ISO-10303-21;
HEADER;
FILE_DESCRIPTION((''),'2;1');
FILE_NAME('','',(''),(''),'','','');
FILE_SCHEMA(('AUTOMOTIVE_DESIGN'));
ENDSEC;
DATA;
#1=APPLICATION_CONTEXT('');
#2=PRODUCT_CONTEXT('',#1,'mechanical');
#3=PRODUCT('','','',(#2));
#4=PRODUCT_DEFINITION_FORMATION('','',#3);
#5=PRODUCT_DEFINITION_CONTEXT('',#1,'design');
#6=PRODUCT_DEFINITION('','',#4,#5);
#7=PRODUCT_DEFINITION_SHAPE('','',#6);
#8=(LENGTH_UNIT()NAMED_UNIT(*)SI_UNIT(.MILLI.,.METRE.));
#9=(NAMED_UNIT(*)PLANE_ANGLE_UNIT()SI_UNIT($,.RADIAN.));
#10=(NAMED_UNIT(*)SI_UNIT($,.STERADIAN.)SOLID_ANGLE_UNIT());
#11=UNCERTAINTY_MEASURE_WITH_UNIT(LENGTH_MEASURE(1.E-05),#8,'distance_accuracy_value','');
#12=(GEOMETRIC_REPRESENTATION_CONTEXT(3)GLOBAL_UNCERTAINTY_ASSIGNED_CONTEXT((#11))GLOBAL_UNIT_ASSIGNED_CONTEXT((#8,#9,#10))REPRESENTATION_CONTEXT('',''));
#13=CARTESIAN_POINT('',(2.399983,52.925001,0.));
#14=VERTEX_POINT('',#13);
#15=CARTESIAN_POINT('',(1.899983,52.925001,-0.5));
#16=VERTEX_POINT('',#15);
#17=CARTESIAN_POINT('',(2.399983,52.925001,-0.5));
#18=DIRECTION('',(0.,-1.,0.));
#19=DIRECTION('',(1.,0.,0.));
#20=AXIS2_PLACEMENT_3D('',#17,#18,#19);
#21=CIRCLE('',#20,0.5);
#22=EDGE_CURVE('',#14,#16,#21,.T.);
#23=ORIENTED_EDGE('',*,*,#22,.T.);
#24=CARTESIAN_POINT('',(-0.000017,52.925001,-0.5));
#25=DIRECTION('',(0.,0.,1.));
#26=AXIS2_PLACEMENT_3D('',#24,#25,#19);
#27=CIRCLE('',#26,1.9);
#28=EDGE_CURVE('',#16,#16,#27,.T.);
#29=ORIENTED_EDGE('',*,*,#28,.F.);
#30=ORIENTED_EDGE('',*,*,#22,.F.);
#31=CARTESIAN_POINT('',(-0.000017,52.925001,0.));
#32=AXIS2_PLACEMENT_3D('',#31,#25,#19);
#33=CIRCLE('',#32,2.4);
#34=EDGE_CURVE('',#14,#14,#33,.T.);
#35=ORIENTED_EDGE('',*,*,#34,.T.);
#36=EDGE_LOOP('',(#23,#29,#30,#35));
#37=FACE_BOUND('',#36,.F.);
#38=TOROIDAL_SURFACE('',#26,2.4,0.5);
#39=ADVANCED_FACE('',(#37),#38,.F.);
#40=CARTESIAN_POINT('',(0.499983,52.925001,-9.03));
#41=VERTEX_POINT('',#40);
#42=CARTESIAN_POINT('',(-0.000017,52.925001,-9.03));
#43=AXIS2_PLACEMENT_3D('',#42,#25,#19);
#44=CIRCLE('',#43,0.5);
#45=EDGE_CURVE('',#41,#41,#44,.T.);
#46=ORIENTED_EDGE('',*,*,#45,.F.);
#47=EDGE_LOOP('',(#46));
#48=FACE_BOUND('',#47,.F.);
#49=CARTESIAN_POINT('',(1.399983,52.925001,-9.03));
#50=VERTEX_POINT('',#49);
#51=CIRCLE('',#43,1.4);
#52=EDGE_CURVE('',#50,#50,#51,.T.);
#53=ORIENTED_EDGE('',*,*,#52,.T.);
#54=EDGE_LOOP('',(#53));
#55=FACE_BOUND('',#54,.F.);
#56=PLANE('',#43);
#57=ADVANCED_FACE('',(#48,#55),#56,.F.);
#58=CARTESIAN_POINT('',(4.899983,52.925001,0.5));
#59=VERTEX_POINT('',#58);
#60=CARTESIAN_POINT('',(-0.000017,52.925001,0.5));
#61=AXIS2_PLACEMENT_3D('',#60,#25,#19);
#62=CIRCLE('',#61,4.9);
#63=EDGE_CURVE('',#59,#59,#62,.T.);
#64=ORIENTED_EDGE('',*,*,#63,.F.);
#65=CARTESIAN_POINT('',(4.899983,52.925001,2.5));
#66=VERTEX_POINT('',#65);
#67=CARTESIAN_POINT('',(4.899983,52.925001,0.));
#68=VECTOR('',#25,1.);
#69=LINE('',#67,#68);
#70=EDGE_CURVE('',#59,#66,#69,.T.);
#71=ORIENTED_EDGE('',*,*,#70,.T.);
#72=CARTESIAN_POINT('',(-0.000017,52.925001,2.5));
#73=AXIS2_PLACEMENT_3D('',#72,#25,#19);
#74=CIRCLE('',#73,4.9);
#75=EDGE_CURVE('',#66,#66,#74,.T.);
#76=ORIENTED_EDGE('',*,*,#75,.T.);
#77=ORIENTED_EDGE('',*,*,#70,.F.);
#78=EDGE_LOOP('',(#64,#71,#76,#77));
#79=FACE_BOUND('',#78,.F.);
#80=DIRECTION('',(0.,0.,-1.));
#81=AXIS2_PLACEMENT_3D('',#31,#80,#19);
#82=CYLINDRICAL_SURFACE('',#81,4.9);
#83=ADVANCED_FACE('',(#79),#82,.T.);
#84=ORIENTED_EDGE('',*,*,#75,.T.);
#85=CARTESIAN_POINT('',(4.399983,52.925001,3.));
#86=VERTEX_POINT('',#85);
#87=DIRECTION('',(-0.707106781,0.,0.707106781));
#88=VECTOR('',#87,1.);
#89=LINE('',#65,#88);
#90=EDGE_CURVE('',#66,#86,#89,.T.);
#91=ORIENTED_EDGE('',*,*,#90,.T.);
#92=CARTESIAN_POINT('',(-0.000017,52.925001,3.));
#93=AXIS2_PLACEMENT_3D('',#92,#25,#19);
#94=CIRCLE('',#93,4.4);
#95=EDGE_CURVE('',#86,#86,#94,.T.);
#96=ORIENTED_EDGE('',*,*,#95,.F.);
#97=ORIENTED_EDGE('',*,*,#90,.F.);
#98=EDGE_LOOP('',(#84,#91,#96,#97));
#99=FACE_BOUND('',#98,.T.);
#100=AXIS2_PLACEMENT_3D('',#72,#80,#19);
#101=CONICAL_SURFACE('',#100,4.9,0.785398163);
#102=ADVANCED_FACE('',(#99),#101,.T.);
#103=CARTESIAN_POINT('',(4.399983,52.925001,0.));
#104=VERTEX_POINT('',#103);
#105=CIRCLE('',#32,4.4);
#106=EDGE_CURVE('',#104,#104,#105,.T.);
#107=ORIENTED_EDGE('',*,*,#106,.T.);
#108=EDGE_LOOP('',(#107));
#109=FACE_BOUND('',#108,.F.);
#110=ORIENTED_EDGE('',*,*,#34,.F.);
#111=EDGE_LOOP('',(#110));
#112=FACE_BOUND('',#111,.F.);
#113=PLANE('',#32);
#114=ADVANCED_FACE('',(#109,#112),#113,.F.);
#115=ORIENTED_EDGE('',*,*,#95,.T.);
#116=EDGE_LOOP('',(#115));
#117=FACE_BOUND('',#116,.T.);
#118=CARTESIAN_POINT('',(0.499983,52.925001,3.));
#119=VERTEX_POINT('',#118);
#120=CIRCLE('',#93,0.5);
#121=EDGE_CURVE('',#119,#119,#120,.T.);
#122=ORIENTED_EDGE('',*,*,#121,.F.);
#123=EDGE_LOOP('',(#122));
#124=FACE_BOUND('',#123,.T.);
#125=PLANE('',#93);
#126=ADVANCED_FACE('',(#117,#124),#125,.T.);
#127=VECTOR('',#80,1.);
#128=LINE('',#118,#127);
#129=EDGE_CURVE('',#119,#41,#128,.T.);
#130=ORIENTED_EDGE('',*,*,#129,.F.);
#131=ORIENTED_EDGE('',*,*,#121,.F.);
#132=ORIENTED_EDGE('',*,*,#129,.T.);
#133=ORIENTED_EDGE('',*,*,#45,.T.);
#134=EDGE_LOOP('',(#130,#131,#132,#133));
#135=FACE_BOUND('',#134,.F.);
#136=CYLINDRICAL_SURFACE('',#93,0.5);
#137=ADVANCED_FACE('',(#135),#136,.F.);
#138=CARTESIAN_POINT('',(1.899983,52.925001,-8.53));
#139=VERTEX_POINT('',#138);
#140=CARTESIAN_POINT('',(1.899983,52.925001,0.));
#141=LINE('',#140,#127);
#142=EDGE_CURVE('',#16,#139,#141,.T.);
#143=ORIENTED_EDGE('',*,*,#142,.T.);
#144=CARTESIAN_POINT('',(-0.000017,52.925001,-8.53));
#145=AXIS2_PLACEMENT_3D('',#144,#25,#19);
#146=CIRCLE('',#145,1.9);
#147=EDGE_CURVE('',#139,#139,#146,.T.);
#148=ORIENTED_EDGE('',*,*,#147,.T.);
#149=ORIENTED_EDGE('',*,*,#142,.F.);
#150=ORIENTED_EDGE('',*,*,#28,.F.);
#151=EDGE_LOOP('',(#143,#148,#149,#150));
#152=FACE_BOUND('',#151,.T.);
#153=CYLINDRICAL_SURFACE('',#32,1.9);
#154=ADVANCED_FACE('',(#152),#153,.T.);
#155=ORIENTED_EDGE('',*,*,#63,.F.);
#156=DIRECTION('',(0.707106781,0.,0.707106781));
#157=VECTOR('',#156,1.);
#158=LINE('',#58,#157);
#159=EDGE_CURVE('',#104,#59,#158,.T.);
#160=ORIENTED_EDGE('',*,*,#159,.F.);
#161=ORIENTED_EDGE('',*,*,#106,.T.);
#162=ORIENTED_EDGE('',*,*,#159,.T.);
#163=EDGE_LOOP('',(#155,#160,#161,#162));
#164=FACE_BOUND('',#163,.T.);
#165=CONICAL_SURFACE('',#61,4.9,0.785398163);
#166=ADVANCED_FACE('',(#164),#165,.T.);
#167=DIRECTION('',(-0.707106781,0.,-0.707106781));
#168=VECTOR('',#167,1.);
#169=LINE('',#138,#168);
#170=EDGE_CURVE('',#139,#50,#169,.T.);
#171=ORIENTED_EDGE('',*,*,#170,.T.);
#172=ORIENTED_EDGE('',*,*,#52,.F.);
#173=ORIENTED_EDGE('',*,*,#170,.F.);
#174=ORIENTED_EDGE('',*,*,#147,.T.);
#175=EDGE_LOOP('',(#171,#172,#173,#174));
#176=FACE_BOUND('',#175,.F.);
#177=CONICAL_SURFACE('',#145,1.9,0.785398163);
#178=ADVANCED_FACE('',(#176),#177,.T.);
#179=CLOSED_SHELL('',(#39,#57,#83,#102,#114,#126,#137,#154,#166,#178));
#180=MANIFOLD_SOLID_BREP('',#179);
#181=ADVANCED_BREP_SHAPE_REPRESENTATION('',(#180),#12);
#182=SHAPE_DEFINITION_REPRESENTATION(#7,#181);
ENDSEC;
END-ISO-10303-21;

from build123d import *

# Parameters (mm, degrees)
SKETCH1_R           = 4.9
SKETCH1_R_2         = 1.9
BOSS_EXTRUDE1_DEPTH = 3
SKETCH1_4_R         = 1.9
BOSS_EXTRUDE2_DEPTH = 9.03
FILLET1_R           = 0.5
CHAMFER1_SIZE       = 0.5
CUT_EXTRUDE1_REACH  = 14.03
SKETCH2_R           = 0.5


with BuildPart() as part:
    # Sketch1 → Boss-Extrude1 (new body)
    with BuildSketch(Plane.XY):
        with Locations((-1.7071e-05, 52.925001209)):
            Circle(SKETCH1_R)
        with Locations((-1.7071e-05, 52.925001209)):
            Circle(SKETCH1_R_2, mode=Mode.SUBTRACT)
        with Locations((-1.7071e-05, 52.925001209)):
            Circle(SKETCH1_R_2)
    extrude(amount=BOSS_EXTRUDE1_DEPTH)

    # Sketch1<4> → Boss-Extrude2 (add)
    with BuildSketch(Plane.XY):
        with Locations((-1.7071e-05, 52.925001209)):
            Circle(SKETCH1_4_R)
    extrude(amount=-BOSS_EXTRUDE2_DEPTH)

    # Fillet1
    fillet1_edges = [part.edges().sort_by_distance(p)[0] for p in [
        (-1.900017071, 52.925001209, 0),
    ]]
    fillet(fillet1_edges, radius=FILLET1_R)

    # Chamfer1
    chamfer1_edges = [part.edges().sort_by_distance(p)[0] for p in [
        (-4.900017071, 52.925001209, 3),
        (-1.900017071, 52.925001209, -9.03),
        (-4.900017071, 52.925001209, 0),
    ]]
    chamfer(chamfer1_edges, length=CHAMFER1_SIZE)

    # Sketch2 → Cut-Extrude1 (cut, up to next)
    with BuildSketch(Plane.XY.offset(3), mode=Mode.PRIVATE) as cut_extrude1_sk1:
        with Locations((-1.7071e-05, 52.925001209)):
            Circle(SKETCH2_R)
    cut_extrude1_tool1 = extrude(cut_extrude1_sk1.sketch, amount=-CUT_EXTRUDE1_REACH, mode=Mode.PRIVATE) & part.part
    add(cut_extrude1_tool1.solids().sort_by_distance((-1.7e-05, 52.925001, 3))[0], mode=Mode.SUBTRACT)


solid = part.part
